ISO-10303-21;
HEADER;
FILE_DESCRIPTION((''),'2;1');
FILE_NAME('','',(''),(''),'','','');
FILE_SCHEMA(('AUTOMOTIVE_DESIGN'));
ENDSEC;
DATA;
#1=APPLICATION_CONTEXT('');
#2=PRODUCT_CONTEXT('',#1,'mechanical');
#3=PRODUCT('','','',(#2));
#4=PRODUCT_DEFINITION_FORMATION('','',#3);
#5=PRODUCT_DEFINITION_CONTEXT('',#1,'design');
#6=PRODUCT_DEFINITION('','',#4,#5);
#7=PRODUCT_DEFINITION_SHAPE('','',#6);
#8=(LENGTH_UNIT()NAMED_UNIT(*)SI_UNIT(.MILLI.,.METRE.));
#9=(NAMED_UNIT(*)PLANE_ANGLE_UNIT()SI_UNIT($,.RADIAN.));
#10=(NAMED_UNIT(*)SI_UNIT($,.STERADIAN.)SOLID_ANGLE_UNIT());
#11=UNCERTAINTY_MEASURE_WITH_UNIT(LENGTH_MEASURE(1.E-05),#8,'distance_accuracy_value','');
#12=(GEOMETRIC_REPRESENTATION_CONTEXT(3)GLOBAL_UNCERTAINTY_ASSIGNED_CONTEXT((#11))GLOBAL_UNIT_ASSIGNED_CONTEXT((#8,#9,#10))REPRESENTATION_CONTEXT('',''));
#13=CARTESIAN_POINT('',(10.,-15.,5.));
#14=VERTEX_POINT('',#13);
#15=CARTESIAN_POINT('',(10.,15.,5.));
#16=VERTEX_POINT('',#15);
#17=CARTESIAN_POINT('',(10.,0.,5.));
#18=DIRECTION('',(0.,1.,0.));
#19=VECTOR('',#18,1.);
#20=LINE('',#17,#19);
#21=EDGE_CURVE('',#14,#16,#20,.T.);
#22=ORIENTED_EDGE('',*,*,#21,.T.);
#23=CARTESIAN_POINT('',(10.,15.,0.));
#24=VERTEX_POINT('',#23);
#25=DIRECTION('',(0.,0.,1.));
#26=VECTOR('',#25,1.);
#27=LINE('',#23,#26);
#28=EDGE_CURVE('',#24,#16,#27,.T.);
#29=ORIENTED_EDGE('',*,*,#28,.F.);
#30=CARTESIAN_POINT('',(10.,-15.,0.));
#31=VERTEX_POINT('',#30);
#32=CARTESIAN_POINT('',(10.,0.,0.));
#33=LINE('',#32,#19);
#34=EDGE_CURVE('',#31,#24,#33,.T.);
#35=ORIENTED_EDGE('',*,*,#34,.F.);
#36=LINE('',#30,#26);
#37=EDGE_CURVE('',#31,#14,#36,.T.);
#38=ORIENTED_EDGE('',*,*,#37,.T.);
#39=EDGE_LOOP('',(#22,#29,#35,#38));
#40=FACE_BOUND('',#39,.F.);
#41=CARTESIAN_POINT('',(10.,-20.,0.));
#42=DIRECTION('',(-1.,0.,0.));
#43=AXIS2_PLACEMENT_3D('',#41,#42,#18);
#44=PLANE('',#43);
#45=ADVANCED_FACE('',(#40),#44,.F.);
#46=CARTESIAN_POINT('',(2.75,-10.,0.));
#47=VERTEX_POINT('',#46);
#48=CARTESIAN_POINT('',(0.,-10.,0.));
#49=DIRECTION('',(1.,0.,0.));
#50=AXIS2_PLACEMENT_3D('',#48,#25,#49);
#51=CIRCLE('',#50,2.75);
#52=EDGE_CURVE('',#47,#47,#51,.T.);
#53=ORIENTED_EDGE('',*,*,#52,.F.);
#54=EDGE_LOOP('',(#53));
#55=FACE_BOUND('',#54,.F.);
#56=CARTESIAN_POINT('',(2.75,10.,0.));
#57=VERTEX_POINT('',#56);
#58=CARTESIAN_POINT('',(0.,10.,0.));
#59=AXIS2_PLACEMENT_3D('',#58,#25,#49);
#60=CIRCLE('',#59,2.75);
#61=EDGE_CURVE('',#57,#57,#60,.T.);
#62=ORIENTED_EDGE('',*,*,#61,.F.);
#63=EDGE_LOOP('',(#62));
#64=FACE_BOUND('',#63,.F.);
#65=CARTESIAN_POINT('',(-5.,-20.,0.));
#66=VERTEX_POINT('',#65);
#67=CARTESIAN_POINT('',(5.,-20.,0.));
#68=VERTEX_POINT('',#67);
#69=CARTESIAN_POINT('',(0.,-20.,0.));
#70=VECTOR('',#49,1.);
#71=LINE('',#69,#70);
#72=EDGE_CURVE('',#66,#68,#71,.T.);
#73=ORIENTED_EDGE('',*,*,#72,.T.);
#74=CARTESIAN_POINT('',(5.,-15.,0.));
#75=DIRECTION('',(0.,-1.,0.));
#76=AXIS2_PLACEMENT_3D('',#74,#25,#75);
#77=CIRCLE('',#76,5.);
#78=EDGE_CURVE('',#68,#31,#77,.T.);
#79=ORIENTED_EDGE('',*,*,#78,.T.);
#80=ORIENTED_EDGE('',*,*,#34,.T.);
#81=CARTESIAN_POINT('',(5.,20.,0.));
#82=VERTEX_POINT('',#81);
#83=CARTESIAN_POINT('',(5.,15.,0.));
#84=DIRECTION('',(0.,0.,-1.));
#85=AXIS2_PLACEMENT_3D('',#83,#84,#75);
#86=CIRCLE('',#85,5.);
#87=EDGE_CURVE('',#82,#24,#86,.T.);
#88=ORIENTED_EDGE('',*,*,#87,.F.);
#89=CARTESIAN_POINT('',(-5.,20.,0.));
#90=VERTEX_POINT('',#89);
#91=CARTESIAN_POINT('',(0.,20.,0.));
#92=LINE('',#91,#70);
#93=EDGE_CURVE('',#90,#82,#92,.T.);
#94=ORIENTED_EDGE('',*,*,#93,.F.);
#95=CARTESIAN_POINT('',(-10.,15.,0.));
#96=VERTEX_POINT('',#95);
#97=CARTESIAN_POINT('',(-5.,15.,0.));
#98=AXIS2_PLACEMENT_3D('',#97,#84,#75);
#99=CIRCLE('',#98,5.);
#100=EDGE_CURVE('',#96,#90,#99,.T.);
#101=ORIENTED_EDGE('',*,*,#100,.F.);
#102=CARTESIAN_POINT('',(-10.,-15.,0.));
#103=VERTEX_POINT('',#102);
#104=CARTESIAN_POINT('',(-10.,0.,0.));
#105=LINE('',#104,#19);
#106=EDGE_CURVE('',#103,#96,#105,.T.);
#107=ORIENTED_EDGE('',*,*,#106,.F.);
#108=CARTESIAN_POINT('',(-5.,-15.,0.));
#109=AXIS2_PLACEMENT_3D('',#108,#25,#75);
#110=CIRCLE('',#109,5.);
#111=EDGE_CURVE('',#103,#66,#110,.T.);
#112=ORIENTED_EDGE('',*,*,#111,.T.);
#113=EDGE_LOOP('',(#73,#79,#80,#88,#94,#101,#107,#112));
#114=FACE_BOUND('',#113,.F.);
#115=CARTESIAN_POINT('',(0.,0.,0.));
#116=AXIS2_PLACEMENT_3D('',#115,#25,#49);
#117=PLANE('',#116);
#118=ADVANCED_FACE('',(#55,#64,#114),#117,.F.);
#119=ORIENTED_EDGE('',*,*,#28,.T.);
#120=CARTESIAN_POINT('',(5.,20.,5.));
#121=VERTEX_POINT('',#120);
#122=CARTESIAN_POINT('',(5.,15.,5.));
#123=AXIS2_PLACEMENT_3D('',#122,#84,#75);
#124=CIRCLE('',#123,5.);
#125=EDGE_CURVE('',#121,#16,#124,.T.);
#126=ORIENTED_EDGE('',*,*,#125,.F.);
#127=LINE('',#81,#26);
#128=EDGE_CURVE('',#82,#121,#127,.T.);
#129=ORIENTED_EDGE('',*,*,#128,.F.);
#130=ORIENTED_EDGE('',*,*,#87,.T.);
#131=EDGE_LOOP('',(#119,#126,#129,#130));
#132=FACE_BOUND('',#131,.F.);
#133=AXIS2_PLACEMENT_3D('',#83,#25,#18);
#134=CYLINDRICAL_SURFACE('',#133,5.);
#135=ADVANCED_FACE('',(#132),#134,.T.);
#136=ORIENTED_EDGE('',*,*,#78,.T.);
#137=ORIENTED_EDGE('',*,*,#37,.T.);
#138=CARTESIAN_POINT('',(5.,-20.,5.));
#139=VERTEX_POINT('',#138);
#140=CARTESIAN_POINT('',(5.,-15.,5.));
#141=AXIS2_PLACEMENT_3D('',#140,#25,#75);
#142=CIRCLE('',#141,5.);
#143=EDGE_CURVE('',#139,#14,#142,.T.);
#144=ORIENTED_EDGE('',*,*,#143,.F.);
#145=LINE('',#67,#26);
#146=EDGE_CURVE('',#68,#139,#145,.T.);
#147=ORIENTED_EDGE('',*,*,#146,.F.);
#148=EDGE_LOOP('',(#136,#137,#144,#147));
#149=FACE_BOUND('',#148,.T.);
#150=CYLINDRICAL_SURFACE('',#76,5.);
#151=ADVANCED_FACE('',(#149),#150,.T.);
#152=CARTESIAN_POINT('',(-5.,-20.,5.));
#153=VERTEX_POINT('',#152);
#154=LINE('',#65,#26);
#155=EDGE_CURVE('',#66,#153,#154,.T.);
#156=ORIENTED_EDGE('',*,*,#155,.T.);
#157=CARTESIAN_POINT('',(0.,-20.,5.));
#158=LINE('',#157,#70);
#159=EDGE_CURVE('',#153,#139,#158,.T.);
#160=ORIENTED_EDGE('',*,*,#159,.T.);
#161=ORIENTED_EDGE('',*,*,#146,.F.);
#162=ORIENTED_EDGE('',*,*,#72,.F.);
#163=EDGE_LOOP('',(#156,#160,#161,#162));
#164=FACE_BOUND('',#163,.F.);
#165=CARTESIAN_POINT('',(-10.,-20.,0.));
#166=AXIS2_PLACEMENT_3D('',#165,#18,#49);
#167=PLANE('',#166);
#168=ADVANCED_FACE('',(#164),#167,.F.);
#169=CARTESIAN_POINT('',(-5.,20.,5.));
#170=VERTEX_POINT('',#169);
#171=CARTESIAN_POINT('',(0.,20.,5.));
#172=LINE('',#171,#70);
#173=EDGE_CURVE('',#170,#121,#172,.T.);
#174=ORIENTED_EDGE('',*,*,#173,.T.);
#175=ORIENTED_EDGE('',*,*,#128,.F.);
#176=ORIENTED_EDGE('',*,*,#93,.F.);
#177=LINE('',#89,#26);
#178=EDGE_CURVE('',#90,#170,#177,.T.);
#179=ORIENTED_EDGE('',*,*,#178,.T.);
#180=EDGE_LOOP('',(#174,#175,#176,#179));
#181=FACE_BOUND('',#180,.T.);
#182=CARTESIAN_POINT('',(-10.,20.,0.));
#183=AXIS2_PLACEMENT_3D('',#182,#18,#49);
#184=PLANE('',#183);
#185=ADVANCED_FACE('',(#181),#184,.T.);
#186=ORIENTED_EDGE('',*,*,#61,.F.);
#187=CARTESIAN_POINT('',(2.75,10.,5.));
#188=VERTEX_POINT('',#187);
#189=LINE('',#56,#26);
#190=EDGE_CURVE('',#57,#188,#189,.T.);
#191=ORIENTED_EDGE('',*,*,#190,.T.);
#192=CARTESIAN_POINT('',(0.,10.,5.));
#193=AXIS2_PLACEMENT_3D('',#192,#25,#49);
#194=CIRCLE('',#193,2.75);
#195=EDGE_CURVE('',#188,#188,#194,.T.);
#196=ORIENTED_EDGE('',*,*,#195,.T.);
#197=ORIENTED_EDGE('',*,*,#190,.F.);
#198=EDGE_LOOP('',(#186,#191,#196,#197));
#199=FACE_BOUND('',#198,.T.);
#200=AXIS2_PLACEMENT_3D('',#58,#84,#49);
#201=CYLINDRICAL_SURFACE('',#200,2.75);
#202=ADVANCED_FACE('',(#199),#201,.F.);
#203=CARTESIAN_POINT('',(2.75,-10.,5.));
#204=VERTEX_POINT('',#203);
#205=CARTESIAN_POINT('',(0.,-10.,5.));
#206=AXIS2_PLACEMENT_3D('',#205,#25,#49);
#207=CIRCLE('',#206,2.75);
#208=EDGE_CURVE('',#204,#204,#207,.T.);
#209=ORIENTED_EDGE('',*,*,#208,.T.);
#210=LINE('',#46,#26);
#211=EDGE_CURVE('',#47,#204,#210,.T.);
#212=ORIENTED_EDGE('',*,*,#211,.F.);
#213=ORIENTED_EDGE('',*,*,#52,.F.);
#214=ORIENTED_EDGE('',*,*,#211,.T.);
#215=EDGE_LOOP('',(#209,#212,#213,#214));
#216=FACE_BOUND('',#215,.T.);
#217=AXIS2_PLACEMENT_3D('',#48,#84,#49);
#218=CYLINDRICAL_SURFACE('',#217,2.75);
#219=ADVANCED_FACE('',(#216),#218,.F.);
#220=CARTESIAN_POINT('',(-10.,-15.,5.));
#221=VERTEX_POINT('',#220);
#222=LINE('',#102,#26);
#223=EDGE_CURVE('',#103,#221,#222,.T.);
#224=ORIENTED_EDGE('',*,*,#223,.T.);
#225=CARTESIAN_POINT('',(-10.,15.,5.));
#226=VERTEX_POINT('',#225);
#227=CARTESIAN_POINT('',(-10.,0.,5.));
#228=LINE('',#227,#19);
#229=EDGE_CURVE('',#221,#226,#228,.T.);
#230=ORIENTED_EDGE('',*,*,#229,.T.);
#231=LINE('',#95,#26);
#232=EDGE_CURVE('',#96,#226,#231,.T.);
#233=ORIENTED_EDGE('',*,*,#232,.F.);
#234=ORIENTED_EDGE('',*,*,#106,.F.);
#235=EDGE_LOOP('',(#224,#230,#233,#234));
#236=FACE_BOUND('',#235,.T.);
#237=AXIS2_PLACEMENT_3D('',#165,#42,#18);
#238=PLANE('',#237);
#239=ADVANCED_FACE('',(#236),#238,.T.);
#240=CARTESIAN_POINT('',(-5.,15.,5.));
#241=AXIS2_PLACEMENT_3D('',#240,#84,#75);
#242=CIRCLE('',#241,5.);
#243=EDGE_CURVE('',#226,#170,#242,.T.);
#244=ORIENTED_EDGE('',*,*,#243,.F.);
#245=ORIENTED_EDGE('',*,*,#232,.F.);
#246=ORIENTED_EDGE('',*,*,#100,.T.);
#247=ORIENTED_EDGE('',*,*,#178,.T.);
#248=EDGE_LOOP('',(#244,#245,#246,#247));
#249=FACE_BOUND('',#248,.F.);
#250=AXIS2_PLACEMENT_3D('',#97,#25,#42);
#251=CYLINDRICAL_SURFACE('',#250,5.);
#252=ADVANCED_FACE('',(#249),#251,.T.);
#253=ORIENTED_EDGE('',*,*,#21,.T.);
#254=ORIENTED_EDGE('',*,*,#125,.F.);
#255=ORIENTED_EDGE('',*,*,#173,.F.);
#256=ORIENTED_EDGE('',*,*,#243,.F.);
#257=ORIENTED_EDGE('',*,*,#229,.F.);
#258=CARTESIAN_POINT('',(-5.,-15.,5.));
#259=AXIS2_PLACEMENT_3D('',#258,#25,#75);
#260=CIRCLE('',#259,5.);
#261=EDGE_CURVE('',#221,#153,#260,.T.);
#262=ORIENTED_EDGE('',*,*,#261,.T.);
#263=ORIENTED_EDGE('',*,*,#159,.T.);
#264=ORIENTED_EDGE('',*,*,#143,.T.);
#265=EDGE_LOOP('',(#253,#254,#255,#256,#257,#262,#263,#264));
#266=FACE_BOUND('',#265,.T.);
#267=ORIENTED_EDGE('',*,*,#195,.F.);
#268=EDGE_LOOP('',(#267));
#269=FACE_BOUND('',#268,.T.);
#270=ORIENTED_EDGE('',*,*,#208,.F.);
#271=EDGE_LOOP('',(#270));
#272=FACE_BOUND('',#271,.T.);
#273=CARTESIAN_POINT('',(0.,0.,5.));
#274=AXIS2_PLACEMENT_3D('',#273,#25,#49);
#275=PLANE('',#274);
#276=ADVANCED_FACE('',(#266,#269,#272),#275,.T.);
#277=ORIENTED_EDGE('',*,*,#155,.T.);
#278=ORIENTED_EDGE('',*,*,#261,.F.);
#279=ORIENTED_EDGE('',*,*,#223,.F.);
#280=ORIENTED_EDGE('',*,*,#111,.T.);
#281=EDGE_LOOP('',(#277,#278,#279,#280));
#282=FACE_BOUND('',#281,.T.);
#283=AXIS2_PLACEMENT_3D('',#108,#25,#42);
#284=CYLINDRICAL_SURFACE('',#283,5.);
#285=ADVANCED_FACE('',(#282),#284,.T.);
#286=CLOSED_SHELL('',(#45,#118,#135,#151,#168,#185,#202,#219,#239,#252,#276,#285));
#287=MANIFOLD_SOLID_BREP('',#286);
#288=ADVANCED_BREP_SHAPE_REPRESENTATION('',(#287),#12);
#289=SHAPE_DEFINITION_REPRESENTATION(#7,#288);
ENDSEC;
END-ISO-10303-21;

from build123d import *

# Parameters (mm, degrees)
F0_W     = 20
F0_H     = 40
F0_R     = 2.75
F1_DEPTH = 5
F2_R     = 5


with BuildPart() as f1:
    # F0 (on Top) → F1 (new body)
    with BuildSketch(Plane.XY):
        Rectangle(F0_W, F0_H)
        with Locations((0, -10)):
            Circle(F0_R, mode=Mode.SUBTRACT)
        with Locations((0, 10)):
            Circle(F0_R, mode=Mode.SUBTRACT)
    extrude(amount=F1_DEPTH)

    # F2
    f2_edges = [f1.edges().sort_by_distance(p)[0] for p in [
        (-10, 20, 2.5),
        (10, 20, 2.5),
        (10, -20, 2.5),
        (-10, -20, 2.5),
    ]]
    fillet(f2_edges, radius=F2_R)


solid = f1.part
